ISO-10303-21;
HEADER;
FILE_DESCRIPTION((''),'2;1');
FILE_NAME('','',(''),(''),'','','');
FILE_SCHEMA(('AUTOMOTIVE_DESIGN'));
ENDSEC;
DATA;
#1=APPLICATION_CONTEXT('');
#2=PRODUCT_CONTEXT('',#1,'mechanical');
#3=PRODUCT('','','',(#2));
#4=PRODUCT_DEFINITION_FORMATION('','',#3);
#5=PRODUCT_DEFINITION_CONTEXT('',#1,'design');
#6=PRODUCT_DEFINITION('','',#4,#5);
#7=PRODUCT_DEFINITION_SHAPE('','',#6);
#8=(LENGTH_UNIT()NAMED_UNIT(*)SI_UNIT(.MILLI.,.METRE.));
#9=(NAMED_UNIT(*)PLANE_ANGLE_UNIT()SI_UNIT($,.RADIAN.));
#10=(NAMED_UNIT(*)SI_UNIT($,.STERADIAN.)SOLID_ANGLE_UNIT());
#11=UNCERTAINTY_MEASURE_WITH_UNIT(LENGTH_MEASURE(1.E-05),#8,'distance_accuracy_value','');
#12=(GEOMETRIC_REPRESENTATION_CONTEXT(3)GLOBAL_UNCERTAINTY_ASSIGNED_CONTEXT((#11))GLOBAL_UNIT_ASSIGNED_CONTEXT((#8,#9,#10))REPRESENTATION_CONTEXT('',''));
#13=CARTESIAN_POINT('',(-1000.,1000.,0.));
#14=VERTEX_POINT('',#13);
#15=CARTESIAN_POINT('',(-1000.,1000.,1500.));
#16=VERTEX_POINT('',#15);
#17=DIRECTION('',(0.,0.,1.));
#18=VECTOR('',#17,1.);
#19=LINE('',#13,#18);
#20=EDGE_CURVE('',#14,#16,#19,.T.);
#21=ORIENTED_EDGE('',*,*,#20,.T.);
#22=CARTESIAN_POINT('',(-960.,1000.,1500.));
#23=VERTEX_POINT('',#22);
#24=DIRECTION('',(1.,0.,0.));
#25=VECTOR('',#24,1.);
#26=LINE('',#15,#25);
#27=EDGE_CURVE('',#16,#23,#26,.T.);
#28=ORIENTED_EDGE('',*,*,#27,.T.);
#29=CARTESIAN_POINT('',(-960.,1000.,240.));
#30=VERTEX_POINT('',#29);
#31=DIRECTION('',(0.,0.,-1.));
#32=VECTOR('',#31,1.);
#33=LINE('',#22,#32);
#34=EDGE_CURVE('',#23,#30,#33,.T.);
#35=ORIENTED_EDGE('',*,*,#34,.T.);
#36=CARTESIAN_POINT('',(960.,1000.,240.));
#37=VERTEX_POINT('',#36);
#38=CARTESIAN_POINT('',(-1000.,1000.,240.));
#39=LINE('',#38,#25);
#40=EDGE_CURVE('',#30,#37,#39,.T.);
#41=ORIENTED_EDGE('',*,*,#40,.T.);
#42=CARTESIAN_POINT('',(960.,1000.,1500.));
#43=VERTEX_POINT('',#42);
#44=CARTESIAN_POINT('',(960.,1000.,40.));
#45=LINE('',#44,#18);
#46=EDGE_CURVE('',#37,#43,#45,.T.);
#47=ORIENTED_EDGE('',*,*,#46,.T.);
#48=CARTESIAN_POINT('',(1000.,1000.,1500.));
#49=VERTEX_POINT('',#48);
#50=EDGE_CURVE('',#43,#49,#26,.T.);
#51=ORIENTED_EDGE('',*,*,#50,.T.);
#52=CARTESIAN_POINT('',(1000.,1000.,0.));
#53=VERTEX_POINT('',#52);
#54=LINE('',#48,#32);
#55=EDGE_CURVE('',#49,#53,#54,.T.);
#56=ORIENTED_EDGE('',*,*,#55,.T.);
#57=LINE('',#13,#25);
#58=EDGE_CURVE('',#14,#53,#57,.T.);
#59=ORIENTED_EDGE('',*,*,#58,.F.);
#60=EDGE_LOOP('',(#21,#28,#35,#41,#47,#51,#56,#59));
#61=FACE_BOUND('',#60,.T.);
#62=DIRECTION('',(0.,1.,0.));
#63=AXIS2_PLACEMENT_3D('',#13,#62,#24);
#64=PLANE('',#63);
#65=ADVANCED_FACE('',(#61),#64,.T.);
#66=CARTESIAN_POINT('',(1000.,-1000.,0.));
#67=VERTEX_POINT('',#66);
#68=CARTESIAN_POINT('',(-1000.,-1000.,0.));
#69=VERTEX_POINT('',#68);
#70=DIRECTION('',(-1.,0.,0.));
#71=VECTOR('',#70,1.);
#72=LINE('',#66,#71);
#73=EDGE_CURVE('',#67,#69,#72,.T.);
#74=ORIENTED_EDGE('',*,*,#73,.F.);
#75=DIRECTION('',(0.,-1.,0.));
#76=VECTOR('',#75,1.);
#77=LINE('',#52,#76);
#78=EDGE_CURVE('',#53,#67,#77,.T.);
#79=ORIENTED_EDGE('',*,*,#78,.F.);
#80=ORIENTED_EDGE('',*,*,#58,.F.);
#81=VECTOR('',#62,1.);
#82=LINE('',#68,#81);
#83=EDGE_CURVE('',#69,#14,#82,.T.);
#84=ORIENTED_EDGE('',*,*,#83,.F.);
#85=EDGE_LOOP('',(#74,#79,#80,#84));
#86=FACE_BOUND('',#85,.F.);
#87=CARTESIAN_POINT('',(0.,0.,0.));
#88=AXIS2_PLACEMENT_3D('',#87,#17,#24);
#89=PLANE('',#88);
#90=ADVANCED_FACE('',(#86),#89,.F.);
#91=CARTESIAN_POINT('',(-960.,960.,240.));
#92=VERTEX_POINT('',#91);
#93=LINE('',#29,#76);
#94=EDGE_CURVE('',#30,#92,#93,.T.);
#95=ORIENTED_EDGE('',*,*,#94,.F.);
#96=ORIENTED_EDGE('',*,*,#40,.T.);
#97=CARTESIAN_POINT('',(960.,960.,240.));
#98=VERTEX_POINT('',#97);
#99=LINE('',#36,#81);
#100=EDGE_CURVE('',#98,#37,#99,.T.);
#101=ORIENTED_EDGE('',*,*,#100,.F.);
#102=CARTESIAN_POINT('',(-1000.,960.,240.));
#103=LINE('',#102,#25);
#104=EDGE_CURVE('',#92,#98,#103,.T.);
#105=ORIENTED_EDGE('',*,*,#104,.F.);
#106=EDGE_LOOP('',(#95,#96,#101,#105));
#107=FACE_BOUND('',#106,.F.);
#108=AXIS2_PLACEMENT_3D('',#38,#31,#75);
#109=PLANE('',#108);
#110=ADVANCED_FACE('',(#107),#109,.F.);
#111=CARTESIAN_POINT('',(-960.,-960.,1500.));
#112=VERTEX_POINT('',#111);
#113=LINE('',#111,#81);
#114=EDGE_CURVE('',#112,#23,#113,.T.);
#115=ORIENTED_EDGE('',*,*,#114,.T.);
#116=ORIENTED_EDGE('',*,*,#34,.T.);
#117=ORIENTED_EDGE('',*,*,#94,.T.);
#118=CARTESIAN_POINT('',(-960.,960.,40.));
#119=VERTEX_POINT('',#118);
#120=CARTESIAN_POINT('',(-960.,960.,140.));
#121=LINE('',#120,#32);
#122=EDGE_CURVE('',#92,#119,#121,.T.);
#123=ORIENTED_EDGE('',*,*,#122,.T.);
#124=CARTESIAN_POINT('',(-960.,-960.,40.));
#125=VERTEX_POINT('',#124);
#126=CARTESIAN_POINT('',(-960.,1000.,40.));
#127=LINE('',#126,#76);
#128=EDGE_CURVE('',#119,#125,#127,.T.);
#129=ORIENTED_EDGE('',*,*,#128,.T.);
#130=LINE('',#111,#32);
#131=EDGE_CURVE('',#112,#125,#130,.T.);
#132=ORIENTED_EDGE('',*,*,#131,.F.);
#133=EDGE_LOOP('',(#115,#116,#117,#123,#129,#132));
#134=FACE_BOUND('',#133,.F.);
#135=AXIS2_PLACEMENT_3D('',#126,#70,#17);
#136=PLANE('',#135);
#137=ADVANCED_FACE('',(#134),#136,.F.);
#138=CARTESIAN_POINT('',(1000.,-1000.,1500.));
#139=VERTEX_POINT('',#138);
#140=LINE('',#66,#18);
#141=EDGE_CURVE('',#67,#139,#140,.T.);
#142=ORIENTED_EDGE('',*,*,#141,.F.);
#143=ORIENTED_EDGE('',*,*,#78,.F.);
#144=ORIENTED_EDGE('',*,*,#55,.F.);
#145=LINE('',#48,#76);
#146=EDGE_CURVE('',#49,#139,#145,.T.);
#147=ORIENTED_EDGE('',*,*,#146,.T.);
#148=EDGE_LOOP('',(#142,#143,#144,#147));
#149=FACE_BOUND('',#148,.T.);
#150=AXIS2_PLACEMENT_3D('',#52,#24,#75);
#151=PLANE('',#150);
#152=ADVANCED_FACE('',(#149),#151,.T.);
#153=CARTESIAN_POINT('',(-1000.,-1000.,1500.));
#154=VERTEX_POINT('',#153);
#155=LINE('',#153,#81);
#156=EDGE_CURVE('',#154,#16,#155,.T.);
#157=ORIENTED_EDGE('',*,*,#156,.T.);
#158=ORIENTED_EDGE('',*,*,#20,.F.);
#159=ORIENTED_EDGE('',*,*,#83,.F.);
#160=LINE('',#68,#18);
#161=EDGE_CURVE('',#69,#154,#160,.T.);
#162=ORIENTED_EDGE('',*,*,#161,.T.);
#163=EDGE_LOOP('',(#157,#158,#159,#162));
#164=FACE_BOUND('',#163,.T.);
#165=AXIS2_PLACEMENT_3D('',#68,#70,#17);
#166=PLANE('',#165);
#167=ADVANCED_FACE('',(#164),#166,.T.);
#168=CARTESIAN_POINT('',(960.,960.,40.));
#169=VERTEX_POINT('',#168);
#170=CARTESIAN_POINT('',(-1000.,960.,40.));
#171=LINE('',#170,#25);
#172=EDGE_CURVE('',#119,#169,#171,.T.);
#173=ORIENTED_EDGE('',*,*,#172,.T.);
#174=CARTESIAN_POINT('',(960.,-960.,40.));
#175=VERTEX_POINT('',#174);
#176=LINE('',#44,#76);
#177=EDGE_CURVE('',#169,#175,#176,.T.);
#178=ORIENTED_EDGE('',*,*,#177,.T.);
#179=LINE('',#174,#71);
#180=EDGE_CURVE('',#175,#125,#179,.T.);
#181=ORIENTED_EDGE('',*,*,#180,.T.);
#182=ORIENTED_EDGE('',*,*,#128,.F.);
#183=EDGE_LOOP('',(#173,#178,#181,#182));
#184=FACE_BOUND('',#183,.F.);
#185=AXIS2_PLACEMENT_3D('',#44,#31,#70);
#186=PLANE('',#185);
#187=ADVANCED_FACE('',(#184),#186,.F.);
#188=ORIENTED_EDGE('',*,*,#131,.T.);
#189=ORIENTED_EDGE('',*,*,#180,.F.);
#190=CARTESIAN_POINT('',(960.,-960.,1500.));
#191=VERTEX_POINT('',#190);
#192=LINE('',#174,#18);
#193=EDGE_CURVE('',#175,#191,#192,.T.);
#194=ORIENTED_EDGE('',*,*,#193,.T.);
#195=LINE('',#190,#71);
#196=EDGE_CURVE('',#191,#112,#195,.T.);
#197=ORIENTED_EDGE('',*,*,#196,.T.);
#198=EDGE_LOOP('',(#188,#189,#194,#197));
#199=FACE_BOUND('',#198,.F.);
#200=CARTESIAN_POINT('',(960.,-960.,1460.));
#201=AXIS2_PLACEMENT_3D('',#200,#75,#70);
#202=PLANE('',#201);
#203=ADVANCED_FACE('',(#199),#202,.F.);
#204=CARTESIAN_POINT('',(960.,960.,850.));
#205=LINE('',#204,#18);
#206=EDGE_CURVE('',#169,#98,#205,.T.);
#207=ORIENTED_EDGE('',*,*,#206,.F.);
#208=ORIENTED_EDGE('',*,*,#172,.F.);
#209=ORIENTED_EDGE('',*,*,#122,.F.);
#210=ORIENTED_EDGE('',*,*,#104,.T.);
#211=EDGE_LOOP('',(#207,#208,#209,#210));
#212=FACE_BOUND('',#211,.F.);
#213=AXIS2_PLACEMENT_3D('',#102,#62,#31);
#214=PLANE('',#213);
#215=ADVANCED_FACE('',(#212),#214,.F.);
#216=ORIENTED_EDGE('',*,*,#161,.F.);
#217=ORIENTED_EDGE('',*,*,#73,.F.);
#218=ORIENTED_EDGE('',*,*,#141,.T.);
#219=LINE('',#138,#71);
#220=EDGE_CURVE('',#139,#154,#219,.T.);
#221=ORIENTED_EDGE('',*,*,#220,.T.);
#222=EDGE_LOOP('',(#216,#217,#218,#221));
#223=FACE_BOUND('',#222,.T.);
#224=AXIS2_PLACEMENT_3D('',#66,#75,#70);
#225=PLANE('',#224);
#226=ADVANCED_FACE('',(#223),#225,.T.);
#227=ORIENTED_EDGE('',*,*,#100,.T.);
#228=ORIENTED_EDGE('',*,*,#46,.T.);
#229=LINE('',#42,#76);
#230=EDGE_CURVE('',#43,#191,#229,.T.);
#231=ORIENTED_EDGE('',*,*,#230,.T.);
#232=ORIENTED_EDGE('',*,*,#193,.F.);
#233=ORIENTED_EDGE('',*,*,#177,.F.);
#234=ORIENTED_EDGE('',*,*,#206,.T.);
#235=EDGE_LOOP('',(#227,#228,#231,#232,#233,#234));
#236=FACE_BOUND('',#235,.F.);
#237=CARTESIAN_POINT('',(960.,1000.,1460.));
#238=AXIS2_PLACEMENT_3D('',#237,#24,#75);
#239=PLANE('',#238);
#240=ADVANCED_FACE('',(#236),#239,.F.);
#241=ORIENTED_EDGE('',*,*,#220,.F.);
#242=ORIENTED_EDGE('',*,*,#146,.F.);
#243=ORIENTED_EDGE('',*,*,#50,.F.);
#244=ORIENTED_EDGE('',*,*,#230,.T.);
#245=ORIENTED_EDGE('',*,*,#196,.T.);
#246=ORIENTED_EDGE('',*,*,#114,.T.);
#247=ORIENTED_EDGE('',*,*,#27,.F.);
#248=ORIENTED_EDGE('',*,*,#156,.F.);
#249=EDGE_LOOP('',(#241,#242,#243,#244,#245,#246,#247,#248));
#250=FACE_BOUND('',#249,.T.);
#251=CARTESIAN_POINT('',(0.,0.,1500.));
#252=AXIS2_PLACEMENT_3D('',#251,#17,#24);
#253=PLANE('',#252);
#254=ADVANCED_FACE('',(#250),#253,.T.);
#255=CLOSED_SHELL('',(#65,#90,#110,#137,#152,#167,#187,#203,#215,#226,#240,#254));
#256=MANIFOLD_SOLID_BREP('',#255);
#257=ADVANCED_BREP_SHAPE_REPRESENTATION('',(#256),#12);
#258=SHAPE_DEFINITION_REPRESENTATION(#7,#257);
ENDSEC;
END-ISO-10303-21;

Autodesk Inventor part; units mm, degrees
ref_plane "YZ Plane" through (0, 0, 0) normal (1, 0, 0) x (0, 1, 0)
ref_plane "XZ Plane" through (0, 0, 0) normal (0, 1, 0) x (-1, 0, 0)
ref_plane "XY Plane" through (0, 0, 0) normal (0, 0, 1) x (1, 0, 0)
sketch "Esquisse2" plane through (0, 0, 0) normal (0, 0, 1) x (1, 0, 0)
  line L0 (-1000, 1000) -> (1000, 1000)
  line L1 (1000, 1000) -> (1000, -1000)
  line L2 (1000, -1000) -> (-1000, -1000)
  line L3 (-1000, -1000) -> (-1000, 1000)
  line L4 (0, 1400) -> (0, -1400) construction
  line L5 (-1400, 0) -> (1400, 0) construction
  point P0 (0, 0)
  dimension "d0" = 2000
  dimension "d1" = 2000
  dimension "d2" = 1000
  dimension "d3" = 1000
extrude "Extrusion1" add sketch "Esquisse2" along normal blind 1500
sketch "Esquisse3" plane through (-1000, 1000, 0) normal (0, 1, 0) x (1, 0, 0)
  line L0 (2000, 0) -> (0, 0) construction
  line L1 (0, 0) -> (0, -1500) construction
  line L2 (2000, -1500) -> (0, -1500) construction
  line L3 (2000, 0) -> (2000, -1500) construction
  line L4 (40, -1460) -> (1960, -1460)
  line L5 (1960, -1460) -> (1960, -40)
  line L6 (1960, -40) -> (40, -40)
  line L7 (40, -40) -> (40, -1460)
  point P0 (1000, 0)
  dimension "d6" = 1920
  dimension "d8" = 40
  dimension "d9" = 40
  dimension "d21" = 40
extrude "Extrusion2" cut sketch "Esquisse3" against normal blind 1960
sketch "Esquisse5" plane through (960, 1000, 1460) normal (0, 0, -1) x (-1, 0, 0)
  line L0 (0, 0) -> (1920, 0) construction
  line L1 (0, 0) -> (0, -1960) construction
  line L2 (0, -1960) -> (1920, -1960) construction
  line L3 (1920, 0) -> (1920, -1960) construction
  line L4 (0, -1960) -> (1920, -1960) construction
  line L5 (1920, 0) -> (0, 0)
  line L6 (0, 0) -> (0, -1960)
  line L7 (0, -1960) -> (1920, -1960)
  line L8 (1920, -1960) -> (1920, 0)
  point P0 (960, -1000)
extrude "Extrusion4" cut sketch "Esquisse5" against normal blind 40
sketch "Esquisse7" plane through (-1000, -1000, 0) normal (-1, 0, 0) x (0, 0, 1)
  line L0 (40, 2000) -> (40, 40) construction
  line L1 (0, 2000) -> (0, 0) construction
  line L2 (0, 0) -> (1500, 0) construction
  line L3 (1500, 2000) -> (1500, 0) construction
  line L4 (0, 2000) -> (1500, 2000) construction
  line L5 (40, 2000) -> (240, 2000)
  line L6 (240, 2000) -> (240, 1960)
  line L7 (240, 1960) -> (40, 1960)
  line L8 (40, 1960) -> (40, 2000)
  point P0 (0, 1000)
  dimension "d22" = 200
  dimension "d23" = 40
extrude "Extrusion6" add sketch "Esquisse7" against normal blind 2000
properties part number "P001_CageDeTest"
